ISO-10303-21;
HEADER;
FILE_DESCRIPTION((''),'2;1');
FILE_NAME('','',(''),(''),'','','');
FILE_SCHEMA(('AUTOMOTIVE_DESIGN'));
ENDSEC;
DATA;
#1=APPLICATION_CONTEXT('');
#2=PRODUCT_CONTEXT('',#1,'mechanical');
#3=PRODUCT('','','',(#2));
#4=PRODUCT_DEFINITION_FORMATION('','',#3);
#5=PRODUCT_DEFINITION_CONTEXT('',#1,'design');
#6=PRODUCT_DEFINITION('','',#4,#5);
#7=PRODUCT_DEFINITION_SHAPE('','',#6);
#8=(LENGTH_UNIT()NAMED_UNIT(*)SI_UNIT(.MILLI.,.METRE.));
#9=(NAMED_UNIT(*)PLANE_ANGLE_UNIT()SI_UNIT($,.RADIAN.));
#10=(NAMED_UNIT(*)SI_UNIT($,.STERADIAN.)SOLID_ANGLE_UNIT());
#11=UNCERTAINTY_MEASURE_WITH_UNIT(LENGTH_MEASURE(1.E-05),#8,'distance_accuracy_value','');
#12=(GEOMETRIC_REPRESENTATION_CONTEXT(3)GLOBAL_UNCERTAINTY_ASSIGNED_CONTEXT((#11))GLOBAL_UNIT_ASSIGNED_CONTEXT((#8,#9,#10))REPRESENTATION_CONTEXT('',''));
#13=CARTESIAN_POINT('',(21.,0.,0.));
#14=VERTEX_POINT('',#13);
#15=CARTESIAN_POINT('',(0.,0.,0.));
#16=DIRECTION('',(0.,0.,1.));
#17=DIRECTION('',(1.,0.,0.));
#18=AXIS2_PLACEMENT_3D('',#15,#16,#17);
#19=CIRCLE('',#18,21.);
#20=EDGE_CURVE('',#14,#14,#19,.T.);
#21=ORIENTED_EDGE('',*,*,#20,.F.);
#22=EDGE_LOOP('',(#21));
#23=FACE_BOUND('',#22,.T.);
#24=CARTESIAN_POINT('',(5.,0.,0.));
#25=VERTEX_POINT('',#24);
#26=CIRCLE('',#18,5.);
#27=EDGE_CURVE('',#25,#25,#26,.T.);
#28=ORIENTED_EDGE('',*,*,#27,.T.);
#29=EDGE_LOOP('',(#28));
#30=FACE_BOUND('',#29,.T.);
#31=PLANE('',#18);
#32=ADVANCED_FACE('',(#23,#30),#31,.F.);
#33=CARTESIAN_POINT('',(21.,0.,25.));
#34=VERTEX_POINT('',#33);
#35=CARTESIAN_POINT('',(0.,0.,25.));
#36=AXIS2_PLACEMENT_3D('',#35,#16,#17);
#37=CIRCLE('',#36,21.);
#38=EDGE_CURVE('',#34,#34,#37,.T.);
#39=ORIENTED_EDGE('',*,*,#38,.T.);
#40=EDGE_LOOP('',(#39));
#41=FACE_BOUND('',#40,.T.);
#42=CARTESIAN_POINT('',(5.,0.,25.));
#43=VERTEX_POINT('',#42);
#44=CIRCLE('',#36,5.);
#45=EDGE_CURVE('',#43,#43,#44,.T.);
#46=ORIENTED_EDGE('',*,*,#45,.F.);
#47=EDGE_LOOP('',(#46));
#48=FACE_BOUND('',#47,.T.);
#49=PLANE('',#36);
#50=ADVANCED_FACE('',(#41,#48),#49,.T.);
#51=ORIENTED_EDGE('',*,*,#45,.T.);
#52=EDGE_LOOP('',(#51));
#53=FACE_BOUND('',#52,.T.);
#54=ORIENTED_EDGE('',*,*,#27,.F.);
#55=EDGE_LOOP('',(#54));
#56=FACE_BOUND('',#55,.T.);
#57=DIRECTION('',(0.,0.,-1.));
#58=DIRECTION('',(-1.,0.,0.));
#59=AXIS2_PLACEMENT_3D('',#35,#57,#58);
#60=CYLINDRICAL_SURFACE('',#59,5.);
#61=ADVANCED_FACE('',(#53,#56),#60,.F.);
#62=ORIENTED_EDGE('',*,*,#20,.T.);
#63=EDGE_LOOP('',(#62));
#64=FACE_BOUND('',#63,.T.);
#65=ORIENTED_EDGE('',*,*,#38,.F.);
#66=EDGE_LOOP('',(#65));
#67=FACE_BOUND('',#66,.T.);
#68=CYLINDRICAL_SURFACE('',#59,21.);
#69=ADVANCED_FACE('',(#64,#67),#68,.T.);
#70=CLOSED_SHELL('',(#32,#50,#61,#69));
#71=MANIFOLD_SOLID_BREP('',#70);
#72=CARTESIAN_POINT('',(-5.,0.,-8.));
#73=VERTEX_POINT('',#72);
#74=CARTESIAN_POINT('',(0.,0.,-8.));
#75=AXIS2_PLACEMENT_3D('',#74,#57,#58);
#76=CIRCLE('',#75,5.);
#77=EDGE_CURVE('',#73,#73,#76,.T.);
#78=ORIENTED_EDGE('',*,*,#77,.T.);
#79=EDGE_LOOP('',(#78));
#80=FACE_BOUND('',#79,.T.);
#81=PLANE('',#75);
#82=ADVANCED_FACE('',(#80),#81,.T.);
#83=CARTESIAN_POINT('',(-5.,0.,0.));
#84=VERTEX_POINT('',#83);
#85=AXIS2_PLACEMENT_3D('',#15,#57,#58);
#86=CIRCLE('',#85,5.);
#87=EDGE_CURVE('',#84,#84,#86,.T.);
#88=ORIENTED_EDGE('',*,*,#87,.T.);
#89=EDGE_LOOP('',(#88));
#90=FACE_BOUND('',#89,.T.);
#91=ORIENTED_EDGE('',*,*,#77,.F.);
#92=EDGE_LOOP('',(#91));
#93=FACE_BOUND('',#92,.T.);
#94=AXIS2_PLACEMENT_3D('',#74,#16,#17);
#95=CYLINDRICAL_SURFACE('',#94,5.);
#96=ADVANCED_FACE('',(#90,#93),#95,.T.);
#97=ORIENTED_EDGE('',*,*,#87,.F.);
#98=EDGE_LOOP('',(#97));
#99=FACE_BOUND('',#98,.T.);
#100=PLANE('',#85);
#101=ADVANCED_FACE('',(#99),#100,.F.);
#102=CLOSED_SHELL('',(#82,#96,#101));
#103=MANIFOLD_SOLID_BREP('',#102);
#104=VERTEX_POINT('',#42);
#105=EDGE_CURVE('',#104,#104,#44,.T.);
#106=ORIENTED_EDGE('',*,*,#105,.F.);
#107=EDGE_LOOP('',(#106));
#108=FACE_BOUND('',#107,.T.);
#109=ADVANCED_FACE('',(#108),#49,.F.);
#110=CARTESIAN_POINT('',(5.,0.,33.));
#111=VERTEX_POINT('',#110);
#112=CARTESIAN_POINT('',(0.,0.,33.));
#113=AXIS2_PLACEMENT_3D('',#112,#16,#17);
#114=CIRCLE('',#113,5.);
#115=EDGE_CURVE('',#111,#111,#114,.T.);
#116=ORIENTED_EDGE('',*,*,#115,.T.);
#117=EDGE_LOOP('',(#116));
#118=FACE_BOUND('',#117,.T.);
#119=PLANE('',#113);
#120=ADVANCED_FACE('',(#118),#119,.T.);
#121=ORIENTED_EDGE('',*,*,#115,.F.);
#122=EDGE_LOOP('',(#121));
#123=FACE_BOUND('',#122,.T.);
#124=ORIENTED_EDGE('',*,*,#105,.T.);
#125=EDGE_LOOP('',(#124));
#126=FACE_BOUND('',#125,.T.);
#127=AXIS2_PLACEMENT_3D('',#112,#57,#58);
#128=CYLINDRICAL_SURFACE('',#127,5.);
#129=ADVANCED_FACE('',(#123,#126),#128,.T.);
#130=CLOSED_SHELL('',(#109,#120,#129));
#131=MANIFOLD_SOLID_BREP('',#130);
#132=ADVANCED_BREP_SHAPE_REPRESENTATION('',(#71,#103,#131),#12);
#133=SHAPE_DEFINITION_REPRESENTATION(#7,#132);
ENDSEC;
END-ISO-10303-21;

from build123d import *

# Parameters (mm, degrees)
SKETCH_1_R      = 21
SKETCH_1_R_2    = 5
EXTRUDE_1_DEPTH = 25
SKETCH_2_R      = 5
EXTRUDE_2_DEPTH = 8
SKETCH_3_R      = 5
EXTRUDE_3_DEPTH = 8


with BuildPart() as part:
    # 草图1 → 凸台-拉伸1 (new body)
    with BuildSketch(Plane.XY):
        Circle(SKETCH_1_R)
        Circle(SKETCH_1_R_2, mode=Mode.SUBTRACT)
    extrude(amount=EXTRUDE_1_DEPTH)


with BuildPart() as body_2:
    # 草图2 → 凸台-拉伸2 (new body)
    with BuildSketch(Plane.XY.offset(25)):
        Circle(SKETCH_2_R)
    extrude(amount=EXTRUDE_2_DEPTH)


with BuildPart() as body_3:
    # 草图3 → 凸台-拉伸3 (new body)
    with BuildSketch(Plane(origin=(0, 0, 0), x_dir=(-1, 0, 0), z_dir=(0, 0, -1))):
        Circle(SKETCH_3_R)
    extrude(amount=EXTRUDE_3_DEPTH)


solid = Compound([part.part, body_2.part, body_3.part])
